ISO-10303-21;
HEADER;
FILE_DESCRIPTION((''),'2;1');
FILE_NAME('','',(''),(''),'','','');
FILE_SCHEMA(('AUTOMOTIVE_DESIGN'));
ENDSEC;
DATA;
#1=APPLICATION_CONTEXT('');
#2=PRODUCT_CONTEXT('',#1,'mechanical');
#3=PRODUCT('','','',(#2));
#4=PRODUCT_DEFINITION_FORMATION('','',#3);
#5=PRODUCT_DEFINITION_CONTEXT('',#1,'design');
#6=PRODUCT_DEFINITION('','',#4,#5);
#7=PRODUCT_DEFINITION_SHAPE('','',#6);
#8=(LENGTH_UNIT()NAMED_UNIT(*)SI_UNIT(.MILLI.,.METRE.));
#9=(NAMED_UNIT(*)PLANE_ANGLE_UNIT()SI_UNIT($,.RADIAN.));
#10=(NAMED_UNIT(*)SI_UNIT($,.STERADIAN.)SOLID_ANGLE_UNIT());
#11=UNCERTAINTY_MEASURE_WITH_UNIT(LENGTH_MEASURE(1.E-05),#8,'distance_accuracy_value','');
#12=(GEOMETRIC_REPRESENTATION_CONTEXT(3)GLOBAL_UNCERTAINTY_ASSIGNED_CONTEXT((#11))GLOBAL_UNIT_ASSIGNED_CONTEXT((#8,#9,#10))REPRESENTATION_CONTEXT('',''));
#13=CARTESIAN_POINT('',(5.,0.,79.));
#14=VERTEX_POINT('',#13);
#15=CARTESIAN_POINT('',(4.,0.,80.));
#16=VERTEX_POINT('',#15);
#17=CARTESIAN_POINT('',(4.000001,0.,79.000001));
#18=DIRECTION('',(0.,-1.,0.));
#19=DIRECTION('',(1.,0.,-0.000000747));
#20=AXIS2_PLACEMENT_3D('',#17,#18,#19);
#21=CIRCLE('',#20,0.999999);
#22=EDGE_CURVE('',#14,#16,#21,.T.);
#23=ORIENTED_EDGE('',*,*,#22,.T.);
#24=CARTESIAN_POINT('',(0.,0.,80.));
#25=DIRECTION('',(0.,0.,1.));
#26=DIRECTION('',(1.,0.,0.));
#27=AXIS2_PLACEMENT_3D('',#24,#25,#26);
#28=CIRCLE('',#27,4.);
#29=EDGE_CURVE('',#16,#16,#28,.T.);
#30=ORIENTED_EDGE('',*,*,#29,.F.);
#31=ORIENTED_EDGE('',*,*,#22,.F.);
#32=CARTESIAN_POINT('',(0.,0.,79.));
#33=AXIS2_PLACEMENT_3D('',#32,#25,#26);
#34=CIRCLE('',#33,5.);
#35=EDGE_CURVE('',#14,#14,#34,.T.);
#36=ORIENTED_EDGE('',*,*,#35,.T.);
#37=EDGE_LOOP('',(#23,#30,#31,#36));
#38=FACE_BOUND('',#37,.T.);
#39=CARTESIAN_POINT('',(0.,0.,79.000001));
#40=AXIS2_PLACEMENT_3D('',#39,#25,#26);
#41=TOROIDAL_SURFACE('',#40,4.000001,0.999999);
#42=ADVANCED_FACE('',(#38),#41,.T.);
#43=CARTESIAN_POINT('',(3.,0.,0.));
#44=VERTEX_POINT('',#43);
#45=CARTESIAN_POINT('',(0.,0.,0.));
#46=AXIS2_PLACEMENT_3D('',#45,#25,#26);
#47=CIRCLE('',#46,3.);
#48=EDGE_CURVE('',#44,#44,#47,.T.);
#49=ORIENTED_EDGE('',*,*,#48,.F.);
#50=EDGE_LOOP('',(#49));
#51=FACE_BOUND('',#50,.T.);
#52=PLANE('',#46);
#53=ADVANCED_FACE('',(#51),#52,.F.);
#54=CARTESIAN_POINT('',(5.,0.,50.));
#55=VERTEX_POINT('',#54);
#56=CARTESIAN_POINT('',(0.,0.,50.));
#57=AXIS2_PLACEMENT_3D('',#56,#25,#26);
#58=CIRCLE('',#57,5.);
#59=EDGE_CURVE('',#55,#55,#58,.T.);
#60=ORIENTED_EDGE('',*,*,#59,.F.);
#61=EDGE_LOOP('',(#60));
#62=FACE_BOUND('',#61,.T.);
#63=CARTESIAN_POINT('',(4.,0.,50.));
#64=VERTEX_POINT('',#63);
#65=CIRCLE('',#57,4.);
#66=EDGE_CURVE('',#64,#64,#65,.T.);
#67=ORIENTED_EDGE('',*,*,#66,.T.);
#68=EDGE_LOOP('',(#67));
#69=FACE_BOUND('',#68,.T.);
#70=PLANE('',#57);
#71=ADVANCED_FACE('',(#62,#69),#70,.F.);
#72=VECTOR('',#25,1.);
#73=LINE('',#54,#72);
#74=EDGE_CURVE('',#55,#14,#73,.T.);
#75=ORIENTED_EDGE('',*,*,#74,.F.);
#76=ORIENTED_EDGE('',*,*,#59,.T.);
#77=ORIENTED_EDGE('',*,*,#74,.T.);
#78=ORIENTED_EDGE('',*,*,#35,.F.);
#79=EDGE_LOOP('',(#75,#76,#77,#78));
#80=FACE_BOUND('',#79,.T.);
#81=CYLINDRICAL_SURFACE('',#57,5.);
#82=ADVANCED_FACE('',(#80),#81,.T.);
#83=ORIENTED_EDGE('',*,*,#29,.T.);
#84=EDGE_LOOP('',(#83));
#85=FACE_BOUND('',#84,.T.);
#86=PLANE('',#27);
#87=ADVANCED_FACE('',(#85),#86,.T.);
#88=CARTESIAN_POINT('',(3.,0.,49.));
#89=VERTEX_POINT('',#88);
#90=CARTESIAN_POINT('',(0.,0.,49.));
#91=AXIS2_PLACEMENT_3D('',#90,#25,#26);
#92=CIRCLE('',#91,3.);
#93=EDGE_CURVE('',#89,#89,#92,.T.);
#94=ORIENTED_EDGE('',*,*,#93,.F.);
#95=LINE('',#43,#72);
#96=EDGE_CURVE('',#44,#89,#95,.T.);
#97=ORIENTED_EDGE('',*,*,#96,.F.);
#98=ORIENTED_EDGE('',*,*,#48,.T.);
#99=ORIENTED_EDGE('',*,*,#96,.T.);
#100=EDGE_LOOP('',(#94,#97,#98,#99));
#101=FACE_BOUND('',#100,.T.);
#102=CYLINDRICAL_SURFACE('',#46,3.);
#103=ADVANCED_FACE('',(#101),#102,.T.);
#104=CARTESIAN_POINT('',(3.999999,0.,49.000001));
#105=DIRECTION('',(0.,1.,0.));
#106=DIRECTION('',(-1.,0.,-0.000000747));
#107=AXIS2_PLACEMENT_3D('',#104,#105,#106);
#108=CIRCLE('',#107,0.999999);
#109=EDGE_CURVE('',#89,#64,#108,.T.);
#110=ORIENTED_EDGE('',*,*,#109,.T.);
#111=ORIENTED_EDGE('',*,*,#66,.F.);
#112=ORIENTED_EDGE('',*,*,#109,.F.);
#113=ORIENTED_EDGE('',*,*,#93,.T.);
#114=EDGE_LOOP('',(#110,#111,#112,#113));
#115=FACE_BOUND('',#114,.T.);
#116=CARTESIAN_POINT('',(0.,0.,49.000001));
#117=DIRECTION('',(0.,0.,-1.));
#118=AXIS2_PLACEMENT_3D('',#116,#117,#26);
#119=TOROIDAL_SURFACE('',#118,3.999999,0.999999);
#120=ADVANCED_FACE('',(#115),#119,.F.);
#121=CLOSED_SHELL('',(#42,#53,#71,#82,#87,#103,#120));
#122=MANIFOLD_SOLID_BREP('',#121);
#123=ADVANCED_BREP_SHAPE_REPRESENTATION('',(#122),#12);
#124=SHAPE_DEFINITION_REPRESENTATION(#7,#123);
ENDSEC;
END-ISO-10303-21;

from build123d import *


with BuildPart() as f1:
    # F0 (on Front) → F1 (revolve)
    with BuildSketch(Plane.XZ):
        with BuildLine():
            Line((0, 80), (0, 0))
            Line((0, 0), (3, 0))
            Line((3, 0), (3, 49))
            ThreePointArc((3, 49), (3.292893, 49.707107), (4, 50))
            Line((4, 50), (5, 50))
            Line((5, 50), (5, 79))
            ThreePointArc((5, 79), (4.707107, 79.707107), (4, 80))
            Line((4, 80), (0, 80))
        make_face()
    revolve(axis=Axis((0, 0, 40), (0, 0, 1)))


solid = f1.part
